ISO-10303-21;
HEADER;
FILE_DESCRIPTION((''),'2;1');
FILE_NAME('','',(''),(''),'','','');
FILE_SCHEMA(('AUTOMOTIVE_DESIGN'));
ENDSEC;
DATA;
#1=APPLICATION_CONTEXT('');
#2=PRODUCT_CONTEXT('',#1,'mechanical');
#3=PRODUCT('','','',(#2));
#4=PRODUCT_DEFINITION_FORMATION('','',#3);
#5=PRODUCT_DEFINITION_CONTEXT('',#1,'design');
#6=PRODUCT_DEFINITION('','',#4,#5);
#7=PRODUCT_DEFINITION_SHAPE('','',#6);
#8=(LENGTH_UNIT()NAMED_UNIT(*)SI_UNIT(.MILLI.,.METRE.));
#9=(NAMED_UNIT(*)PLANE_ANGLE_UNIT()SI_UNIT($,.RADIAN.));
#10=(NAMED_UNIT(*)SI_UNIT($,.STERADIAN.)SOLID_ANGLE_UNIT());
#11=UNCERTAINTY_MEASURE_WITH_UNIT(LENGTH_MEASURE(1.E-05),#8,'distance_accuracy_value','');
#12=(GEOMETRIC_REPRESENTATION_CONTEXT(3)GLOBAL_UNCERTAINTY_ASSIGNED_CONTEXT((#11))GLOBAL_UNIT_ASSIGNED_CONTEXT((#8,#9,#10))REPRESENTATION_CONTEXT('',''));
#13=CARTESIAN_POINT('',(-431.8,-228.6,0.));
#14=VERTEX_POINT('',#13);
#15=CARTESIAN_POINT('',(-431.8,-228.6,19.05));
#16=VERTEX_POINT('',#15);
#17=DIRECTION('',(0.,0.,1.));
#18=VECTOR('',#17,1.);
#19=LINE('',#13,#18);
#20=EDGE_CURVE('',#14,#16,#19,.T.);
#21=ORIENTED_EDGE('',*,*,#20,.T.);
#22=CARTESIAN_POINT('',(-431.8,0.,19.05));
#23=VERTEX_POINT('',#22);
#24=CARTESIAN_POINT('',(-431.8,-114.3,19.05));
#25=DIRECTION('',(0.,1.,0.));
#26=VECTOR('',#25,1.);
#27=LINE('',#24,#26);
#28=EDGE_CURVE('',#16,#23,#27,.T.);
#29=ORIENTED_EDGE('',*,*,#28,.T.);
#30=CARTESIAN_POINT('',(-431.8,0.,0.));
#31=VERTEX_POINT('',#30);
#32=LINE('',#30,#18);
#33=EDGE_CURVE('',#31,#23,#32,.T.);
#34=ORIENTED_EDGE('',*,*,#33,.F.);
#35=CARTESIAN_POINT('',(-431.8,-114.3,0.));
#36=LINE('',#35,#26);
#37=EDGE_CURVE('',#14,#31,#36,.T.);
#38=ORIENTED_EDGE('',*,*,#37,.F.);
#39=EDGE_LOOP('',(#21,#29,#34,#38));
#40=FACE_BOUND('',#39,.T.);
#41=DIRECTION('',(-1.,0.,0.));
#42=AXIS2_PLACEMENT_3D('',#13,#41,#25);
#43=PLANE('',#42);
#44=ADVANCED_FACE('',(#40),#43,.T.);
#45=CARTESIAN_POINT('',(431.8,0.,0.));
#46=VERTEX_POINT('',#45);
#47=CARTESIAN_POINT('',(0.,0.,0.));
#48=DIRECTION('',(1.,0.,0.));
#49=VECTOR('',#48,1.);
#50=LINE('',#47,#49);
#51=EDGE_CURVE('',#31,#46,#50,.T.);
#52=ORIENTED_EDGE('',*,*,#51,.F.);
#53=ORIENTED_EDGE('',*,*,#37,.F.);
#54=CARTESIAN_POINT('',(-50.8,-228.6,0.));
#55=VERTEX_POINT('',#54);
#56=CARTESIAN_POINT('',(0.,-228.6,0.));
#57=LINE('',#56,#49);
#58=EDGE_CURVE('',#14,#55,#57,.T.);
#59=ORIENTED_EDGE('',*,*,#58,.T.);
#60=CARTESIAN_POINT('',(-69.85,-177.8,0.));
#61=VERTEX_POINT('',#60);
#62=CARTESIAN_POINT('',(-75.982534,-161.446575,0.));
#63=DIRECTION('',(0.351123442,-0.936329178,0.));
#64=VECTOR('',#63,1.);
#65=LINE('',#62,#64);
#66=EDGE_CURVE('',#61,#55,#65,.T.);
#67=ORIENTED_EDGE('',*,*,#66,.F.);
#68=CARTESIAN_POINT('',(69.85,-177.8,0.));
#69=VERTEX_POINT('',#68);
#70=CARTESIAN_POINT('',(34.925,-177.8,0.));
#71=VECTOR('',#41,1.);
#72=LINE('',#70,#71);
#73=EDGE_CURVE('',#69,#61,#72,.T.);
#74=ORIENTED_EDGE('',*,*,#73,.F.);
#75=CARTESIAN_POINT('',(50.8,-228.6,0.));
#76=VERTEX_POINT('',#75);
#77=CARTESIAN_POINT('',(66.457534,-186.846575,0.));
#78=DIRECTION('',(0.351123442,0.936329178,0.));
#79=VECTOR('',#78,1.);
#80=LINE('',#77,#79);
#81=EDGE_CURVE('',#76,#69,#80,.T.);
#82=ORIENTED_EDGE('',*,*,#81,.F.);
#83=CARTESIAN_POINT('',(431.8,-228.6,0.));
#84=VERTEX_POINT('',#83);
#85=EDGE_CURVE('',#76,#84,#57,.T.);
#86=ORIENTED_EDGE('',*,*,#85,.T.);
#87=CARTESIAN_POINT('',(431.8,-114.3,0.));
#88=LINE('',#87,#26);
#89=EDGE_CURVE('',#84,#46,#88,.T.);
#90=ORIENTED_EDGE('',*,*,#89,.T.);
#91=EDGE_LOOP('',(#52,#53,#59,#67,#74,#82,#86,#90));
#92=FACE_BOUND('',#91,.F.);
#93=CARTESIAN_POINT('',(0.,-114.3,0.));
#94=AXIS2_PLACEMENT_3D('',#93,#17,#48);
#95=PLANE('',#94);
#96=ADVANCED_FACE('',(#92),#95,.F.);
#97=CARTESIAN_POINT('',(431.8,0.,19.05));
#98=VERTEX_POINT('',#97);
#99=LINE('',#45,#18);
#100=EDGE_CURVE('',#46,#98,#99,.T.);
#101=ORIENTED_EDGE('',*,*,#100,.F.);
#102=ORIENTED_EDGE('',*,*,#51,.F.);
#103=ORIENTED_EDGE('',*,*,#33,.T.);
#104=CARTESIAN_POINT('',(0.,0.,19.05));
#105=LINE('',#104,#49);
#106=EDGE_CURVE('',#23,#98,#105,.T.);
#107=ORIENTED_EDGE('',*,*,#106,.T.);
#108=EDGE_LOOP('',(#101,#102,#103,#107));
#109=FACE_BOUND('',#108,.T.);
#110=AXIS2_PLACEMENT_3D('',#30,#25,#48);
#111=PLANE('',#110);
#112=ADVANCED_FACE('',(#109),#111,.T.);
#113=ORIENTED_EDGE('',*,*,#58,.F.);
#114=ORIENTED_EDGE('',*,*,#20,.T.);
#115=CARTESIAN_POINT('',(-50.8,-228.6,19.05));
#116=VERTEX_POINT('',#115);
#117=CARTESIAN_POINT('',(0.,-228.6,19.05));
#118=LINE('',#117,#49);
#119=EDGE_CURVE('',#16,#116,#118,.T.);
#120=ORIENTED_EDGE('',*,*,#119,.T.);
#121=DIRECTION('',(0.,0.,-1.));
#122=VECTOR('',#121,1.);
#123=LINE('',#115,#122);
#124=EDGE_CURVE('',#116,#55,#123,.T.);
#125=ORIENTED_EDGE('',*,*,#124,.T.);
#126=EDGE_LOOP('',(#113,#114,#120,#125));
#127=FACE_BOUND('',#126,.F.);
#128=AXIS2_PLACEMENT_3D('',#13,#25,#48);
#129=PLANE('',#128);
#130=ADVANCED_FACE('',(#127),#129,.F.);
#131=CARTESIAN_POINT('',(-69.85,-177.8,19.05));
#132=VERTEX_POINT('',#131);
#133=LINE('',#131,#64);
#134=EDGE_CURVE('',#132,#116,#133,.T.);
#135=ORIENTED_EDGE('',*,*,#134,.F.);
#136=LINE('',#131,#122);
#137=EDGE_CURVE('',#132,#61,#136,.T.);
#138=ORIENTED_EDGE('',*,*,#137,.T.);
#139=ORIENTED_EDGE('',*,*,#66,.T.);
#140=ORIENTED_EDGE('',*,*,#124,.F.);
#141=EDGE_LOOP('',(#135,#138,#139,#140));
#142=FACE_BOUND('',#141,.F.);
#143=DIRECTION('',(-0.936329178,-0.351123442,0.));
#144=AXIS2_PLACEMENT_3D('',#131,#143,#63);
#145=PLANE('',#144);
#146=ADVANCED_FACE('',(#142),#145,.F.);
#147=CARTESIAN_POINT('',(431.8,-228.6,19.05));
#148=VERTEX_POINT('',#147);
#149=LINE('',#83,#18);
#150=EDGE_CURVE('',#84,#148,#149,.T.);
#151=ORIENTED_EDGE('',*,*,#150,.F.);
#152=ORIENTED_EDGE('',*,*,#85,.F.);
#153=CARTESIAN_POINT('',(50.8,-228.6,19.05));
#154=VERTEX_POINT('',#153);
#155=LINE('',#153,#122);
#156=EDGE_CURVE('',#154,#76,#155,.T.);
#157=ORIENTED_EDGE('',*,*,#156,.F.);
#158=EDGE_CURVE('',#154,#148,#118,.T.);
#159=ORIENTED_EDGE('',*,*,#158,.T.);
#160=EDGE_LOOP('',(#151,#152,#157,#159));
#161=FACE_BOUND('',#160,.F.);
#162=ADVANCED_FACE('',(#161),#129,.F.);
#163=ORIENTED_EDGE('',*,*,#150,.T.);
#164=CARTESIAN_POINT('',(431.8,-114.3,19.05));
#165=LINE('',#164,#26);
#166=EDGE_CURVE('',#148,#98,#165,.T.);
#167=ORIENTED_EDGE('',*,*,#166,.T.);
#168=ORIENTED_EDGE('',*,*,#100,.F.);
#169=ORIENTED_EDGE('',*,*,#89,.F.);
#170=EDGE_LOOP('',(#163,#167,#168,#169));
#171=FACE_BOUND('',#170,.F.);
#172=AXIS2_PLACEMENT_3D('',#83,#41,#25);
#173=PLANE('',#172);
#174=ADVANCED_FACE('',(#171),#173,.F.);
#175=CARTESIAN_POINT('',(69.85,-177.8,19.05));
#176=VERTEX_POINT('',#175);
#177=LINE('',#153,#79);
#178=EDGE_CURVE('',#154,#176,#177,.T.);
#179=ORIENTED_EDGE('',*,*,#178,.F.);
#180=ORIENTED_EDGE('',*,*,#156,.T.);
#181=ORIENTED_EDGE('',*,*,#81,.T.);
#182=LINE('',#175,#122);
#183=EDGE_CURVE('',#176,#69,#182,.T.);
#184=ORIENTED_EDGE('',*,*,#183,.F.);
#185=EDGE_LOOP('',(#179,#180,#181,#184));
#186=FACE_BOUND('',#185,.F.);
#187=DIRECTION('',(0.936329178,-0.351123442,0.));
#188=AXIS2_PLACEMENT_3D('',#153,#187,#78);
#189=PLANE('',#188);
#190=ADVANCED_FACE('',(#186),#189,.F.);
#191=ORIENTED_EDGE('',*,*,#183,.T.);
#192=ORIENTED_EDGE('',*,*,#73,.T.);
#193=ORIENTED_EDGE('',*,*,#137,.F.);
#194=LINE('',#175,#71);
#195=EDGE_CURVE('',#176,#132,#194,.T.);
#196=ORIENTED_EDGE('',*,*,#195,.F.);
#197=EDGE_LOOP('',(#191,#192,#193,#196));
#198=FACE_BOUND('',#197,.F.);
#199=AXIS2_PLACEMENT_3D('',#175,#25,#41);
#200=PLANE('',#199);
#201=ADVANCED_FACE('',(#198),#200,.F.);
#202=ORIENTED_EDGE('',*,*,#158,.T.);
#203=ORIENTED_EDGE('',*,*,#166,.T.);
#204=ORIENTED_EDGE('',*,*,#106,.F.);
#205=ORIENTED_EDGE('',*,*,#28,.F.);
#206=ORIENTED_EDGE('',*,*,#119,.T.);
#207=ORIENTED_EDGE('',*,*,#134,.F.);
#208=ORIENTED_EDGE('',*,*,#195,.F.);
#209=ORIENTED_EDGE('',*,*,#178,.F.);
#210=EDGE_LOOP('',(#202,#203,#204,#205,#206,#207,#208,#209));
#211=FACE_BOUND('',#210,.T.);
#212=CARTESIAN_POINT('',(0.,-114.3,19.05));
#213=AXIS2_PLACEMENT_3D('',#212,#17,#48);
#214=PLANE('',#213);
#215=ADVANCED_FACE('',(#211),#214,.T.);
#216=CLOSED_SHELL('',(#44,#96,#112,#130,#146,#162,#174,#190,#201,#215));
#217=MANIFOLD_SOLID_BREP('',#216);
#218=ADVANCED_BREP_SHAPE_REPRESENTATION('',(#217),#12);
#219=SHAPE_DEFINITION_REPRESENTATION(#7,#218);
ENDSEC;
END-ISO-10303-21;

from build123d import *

# Parameters (mm, degrees)
F0_W     = 863.6
F0_H     = 228.6
F1_DEPTH = 19.05
F3_DEPTH = 19.051


with BuildPart() as f1:
    # F0 (on Top) → F1 (new body)
    with BuildSketch(Plane.XY):
        with Locations((0, -114.3)):
            Rectangle(F0_W, F0_H)
    extrude(amount=F1_DEPTH)

    # F2 (on face) → F3 (cut, through all)
    with BuildSketch(Plane.XY.offset(19.05)):
        Polygon((-69.85, -177.8), (-50.8, -228.6), (50.8, -228.6), (69.85, -177.8), align=None)
    extrude(amount=-F3_DEPTH, mode=Mode.SUBTRACT)


solid = f1.part
